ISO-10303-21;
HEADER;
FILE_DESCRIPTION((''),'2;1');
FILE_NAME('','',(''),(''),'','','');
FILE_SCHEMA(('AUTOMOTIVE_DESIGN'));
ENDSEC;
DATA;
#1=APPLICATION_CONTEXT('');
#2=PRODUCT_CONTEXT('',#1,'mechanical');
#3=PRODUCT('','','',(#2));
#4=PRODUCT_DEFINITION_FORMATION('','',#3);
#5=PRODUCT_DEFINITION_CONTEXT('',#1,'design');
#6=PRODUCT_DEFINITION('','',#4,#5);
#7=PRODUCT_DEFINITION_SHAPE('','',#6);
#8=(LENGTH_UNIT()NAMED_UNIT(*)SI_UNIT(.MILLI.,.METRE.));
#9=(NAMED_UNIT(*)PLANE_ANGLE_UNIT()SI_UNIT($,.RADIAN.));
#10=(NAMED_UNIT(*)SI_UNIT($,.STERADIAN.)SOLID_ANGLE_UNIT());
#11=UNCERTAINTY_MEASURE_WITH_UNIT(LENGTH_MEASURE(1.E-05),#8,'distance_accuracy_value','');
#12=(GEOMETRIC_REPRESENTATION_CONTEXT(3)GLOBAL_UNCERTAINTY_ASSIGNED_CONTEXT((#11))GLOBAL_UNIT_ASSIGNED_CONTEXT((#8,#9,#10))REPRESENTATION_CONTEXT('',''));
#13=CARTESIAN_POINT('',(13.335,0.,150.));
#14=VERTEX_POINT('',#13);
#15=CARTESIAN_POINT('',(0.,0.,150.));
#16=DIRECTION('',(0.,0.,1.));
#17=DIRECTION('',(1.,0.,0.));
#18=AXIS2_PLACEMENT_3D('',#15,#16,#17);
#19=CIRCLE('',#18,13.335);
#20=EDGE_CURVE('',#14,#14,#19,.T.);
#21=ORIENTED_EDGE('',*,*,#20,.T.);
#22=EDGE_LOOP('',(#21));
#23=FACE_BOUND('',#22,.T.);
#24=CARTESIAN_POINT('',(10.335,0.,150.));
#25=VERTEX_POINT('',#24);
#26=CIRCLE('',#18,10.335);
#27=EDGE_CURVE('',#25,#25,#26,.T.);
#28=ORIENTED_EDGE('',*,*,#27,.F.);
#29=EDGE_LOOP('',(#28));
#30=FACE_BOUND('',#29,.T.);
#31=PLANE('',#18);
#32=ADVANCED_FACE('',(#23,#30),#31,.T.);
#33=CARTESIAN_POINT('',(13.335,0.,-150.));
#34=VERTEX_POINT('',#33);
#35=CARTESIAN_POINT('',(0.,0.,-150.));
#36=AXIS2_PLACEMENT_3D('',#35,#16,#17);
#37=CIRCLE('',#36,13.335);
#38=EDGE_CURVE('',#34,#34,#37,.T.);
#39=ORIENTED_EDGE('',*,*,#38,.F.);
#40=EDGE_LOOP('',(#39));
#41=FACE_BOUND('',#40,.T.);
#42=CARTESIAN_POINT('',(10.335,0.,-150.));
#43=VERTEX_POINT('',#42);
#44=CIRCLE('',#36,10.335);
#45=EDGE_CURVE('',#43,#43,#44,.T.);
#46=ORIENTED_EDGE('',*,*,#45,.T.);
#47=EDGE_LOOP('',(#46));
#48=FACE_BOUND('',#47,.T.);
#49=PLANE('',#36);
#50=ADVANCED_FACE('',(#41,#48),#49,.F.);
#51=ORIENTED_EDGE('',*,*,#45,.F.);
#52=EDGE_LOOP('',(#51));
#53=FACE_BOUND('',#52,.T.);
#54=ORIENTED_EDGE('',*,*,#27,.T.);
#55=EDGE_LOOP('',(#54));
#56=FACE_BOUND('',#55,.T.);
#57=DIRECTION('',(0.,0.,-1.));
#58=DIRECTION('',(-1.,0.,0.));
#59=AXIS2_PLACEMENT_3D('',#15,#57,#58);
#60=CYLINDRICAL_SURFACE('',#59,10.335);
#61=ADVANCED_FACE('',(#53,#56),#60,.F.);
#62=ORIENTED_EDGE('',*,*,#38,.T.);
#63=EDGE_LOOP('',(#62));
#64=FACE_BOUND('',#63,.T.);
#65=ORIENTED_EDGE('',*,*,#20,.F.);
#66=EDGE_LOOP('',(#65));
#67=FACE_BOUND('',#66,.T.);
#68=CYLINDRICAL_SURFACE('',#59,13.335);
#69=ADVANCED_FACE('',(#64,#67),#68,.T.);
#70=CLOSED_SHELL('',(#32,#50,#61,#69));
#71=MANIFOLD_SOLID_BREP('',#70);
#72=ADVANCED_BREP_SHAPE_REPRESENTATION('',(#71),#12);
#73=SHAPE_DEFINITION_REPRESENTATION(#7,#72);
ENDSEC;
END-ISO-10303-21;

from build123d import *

# Parameters (mm, degrees)
SKETCH1_R           = 13.335
SKETCH1_R_2         = 10.335
BOSS_EXTRUDE1_DEPTH = 150


with BuildPart() as part:
    # Sketch1 → Boss-Extrude1 (new body, symmetric)
    with BuildSketch(Plane.XY):
        Circle(SKETCH1_R)
        Circle(SKETCH1_R_2, mode=Mode.SUBTRACT)
    extrude(amount=BOSS_EXTRUDE1_DEPTH, both=True)


solid = part.part
